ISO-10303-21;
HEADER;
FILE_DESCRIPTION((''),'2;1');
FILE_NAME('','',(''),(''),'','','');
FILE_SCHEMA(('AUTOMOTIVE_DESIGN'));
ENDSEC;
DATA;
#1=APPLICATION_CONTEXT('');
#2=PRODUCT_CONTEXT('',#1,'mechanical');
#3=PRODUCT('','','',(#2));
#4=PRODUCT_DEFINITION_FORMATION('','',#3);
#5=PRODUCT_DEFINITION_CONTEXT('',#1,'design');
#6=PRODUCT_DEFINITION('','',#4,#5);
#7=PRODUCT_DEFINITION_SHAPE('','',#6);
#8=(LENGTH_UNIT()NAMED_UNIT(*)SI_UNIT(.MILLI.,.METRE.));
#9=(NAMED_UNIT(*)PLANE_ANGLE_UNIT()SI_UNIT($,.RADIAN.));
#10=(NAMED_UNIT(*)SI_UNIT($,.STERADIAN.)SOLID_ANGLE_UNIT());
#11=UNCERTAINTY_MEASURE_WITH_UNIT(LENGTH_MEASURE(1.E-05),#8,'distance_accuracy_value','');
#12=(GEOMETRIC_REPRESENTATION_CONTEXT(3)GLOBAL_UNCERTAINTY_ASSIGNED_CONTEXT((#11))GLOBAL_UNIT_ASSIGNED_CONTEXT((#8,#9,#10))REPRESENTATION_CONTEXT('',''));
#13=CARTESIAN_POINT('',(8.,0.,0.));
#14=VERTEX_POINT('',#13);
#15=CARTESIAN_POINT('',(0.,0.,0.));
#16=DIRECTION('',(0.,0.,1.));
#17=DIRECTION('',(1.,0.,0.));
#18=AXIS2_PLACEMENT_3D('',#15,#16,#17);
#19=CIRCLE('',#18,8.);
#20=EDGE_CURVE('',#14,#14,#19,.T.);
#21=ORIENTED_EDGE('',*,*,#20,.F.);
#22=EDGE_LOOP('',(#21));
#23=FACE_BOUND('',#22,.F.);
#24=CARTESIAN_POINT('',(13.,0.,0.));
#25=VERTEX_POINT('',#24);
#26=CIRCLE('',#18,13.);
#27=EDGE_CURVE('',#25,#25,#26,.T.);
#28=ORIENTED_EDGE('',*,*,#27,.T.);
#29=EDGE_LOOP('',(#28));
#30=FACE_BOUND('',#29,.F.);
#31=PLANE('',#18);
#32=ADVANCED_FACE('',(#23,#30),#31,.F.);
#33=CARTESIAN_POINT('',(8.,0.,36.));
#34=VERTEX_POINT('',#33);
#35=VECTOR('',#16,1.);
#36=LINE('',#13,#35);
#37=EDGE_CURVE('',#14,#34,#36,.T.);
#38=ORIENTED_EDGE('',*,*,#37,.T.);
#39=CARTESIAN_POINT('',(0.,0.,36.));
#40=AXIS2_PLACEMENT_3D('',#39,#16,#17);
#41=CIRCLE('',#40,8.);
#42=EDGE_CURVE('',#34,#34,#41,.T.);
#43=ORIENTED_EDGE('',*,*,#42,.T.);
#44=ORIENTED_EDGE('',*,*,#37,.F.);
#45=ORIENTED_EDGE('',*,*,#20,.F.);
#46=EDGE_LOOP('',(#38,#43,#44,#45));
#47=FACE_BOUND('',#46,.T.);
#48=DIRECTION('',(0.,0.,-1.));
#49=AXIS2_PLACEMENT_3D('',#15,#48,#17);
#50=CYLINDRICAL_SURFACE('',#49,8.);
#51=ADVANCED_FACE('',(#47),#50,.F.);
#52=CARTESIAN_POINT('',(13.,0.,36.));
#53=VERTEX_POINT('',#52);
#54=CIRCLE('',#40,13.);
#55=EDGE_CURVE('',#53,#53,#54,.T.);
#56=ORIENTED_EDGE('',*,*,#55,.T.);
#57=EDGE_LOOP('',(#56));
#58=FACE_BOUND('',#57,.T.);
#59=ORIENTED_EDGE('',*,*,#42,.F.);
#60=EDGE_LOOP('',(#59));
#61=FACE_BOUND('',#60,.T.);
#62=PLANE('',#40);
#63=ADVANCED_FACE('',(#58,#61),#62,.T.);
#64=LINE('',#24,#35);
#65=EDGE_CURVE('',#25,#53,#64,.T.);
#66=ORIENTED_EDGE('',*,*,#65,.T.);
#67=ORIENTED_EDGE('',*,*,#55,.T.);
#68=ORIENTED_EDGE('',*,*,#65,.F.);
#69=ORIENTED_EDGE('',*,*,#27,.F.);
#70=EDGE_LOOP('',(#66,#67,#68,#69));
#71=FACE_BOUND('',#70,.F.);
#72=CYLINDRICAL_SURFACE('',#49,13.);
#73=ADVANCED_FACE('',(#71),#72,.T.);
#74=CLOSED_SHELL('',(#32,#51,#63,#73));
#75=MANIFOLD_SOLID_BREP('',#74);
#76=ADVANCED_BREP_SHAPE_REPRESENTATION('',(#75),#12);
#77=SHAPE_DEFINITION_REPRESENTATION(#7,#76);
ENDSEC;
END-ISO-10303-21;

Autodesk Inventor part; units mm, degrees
ref_plane "YZ Plane" through (0, 0, 0) normal (1, 0, 0) x (0, 1, 0)
ref_plane "XZ Plane" through (0, 0, 0) normal (0, 1, 0) x (-1, 0, 0)
ref_plane "XY Plane" through (0, 0, 0) normal (0, 0, 1) x (1, 0, 0)
sketch "Sketch1" plane through (0, 0, 0) normal (0, 0, 1) x (1, 0, 0)
  circle A0 centre (0, 0) radius 13
  circle A1 centre (0, 0) radius 8
  dimension "d0" = 26
  dimension "d1" = 16
extrude "Extrusion1" add sketch "Sketch1" along normal blind 36
properties part number "LMU16UU" material "Stainless Steel"
